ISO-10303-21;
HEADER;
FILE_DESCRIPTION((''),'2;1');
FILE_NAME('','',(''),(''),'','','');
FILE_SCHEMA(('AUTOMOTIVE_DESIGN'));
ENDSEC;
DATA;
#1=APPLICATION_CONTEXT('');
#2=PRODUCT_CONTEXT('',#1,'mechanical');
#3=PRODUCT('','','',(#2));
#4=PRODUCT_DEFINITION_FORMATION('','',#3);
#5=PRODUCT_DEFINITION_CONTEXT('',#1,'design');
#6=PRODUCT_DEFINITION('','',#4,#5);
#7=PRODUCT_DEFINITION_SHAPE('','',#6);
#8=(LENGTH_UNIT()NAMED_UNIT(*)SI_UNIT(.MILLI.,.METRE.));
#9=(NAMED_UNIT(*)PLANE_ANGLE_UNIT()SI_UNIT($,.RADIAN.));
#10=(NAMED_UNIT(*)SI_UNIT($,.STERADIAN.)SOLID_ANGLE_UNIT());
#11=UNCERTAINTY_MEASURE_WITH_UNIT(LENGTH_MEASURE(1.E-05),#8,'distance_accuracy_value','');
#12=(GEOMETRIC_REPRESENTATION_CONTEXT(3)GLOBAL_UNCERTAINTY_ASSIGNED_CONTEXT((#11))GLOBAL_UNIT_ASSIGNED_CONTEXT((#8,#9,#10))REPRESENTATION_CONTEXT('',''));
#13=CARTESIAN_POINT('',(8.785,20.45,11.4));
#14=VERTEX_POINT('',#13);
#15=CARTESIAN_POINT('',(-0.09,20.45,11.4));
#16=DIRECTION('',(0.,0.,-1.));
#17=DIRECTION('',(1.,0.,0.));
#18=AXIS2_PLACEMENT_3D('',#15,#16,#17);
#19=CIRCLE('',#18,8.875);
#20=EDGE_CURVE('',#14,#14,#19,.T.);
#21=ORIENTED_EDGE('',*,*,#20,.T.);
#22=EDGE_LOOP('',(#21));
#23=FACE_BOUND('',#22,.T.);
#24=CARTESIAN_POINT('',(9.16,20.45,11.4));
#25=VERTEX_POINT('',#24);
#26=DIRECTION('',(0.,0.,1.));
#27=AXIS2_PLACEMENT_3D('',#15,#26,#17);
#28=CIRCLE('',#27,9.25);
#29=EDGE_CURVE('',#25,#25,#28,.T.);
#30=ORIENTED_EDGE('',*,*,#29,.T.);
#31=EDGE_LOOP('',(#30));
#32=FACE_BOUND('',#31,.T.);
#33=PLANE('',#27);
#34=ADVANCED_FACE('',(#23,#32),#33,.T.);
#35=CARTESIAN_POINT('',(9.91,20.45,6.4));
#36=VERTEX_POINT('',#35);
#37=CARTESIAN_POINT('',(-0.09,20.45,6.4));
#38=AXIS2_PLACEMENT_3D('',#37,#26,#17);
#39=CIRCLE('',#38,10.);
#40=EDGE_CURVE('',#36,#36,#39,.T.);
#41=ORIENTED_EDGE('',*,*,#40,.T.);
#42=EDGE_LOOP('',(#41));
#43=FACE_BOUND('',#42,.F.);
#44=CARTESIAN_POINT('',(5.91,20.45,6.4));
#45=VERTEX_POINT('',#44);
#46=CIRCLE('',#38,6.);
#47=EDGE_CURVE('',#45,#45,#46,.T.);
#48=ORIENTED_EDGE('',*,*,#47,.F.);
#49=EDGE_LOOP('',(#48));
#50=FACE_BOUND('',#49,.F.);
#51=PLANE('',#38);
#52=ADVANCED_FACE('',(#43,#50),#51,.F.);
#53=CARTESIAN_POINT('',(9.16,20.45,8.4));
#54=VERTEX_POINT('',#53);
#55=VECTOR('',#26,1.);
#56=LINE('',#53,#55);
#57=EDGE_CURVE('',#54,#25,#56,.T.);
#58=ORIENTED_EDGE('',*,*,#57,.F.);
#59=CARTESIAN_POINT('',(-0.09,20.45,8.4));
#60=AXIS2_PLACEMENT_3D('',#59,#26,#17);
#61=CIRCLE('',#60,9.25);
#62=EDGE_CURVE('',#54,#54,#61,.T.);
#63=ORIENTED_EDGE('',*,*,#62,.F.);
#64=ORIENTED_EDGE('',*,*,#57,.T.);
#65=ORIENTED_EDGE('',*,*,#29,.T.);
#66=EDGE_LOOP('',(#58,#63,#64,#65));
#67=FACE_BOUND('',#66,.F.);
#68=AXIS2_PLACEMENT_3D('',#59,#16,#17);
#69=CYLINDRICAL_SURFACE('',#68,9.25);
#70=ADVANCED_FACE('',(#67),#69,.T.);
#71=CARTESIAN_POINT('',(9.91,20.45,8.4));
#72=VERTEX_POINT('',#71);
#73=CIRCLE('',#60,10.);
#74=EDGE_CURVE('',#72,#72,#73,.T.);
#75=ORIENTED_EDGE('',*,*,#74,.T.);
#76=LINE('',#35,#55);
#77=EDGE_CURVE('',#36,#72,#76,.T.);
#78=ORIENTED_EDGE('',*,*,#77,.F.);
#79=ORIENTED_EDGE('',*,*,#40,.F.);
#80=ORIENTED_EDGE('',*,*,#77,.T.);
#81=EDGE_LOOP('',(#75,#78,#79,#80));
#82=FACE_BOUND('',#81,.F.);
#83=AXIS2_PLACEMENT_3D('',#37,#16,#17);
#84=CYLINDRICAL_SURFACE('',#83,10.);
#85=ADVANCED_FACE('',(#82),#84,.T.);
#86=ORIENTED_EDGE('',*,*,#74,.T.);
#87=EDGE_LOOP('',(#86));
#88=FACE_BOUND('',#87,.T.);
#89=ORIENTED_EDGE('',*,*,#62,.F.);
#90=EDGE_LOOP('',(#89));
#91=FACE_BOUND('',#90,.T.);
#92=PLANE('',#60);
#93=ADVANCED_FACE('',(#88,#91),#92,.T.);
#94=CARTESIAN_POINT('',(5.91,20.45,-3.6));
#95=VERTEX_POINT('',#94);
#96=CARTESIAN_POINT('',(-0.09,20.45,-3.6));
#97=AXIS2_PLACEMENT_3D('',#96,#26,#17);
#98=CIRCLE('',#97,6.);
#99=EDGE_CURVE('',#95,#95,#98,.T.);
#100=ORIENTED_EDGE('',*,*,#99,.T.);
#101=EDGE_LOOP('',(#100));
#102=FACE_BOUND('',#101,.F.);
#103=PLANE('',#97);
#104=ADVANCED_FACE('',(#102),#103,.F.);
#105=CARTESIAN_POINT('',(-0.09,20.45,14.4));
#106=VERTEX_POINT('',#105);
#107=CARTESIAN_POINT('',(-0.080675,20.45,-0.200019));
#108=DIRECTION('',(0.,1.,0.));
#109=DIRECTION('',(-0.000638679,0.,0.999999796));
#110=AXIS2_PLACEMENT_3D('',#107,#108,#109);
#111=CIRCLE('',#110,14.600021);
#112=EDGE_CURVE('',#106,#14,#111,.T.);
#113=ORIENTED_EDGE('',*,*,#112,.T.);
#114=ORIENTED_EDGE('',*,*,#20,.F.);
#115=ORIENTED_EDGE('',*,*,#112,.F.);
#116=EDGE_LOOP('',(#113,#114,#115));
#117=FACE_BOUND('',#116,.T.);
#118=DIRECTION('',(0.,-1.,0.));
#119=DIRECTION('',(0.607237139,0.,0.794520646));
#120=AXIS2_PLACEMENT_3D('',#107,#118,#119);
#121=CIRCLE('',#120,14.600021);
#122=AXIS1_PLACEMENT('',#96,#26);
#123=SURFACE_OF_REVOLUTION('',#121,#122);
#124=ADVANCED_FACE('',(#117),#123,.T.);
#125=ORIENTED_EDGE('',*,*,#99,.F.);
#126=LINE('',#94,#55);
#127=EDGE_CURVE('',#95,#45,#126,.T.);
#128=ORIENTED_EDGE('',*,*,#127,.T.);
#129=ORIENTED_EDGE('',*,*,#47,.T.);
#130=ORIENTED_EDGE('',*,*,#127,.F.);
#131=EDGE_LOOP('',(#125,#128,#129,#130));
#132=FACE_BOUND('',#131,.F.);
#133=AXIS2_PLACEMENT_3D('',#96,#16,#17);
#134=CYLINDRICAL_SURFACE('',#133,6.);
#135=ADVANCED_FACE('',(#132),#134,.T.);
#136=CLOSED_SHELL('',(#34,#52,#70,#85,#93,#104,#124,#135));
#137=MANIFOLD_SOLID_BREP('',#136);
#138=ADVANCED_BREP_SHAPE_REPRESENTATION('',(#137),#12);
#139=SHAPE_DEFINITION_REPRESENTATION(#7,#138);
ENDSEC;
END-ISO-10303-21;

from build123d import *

# Parameters (mm, degrees)
SKETCH070_R       = 6
PAD046_DEPTH      = 10
SKETCH071_R       = 10
PAD047_DEPTH      = 2
SKETCH072_R       = 9.25
PAD048_DEPTH      = 3
SKETCH073_R       = 8.875
POCKET068_DEPTH   = 0.2
POCKET068_FACE9_R = 8.875
PAD049_DEPTH      = 3.2


with BuildPart() as part:
    # Sketch070 → Pad046 (new body)
    with BuildSketch(Plane.XY):
        Circle(SKETCH070_R)
    extrude(amount=PAD046_DEPTH)

    # Sketch071 (on Face3 of Pad046) → Pad047 (join)
    with BuildSketch(Plane.XY.offset(10)):
        Circle(SKETCH071_R)
    extrude(amount=PAD047_DEPTH)

    # Sketch072 (on Face3 of Pad047) → Pad048 (join)
    with BuildSketch(Plane.XY.offset(12)):
        Circle(SKETCH072_R)
    extrude(amount=PAD048_DEPTH)

    # Sketch073 (on Face7 of Pad048) → Pocket068 (cut)
    with BuildSketch(Plane.XY.offset(15)):
        Circle(SKETCH073_R)
    extrude(amount=-POCKET068_DEPTH, mode=Mode.SUBTRACT)

    # Pocket068 Face9 → Pad049 (add)
    with BuildSketch(Plane(origin=(0, 0, 14.8), x_dir=(0, 1, 0), z_dir=(0, 0, 1))):
        Circle(POCKET068_FACE9_R)
    extrude(amount=PAD049_DEPTH)

    # Sketch074 → Groove (revolve, cut)
    with BuildSketch(Plane.XZ):
        with BuildLine():
            ThreePointArc((8.875, 15), (4.684658, 17.231174), (0, 18))
            Line((0, 19), (0, 18))
            Line((0, 19), (8.875, 19))
            Line((8.875, 19), (8.875, 15))
        make_face()
    revolve(axis=Axis((0, 0, 0), (0, 0, 1)), mode=Mode.SUBTRACT)


with BuildPart() as part_1:
    # Body006 placement: moved
    add(part.part.moved(Location((-0.09, 20.45, -3.6))))


solid = part_1.part
